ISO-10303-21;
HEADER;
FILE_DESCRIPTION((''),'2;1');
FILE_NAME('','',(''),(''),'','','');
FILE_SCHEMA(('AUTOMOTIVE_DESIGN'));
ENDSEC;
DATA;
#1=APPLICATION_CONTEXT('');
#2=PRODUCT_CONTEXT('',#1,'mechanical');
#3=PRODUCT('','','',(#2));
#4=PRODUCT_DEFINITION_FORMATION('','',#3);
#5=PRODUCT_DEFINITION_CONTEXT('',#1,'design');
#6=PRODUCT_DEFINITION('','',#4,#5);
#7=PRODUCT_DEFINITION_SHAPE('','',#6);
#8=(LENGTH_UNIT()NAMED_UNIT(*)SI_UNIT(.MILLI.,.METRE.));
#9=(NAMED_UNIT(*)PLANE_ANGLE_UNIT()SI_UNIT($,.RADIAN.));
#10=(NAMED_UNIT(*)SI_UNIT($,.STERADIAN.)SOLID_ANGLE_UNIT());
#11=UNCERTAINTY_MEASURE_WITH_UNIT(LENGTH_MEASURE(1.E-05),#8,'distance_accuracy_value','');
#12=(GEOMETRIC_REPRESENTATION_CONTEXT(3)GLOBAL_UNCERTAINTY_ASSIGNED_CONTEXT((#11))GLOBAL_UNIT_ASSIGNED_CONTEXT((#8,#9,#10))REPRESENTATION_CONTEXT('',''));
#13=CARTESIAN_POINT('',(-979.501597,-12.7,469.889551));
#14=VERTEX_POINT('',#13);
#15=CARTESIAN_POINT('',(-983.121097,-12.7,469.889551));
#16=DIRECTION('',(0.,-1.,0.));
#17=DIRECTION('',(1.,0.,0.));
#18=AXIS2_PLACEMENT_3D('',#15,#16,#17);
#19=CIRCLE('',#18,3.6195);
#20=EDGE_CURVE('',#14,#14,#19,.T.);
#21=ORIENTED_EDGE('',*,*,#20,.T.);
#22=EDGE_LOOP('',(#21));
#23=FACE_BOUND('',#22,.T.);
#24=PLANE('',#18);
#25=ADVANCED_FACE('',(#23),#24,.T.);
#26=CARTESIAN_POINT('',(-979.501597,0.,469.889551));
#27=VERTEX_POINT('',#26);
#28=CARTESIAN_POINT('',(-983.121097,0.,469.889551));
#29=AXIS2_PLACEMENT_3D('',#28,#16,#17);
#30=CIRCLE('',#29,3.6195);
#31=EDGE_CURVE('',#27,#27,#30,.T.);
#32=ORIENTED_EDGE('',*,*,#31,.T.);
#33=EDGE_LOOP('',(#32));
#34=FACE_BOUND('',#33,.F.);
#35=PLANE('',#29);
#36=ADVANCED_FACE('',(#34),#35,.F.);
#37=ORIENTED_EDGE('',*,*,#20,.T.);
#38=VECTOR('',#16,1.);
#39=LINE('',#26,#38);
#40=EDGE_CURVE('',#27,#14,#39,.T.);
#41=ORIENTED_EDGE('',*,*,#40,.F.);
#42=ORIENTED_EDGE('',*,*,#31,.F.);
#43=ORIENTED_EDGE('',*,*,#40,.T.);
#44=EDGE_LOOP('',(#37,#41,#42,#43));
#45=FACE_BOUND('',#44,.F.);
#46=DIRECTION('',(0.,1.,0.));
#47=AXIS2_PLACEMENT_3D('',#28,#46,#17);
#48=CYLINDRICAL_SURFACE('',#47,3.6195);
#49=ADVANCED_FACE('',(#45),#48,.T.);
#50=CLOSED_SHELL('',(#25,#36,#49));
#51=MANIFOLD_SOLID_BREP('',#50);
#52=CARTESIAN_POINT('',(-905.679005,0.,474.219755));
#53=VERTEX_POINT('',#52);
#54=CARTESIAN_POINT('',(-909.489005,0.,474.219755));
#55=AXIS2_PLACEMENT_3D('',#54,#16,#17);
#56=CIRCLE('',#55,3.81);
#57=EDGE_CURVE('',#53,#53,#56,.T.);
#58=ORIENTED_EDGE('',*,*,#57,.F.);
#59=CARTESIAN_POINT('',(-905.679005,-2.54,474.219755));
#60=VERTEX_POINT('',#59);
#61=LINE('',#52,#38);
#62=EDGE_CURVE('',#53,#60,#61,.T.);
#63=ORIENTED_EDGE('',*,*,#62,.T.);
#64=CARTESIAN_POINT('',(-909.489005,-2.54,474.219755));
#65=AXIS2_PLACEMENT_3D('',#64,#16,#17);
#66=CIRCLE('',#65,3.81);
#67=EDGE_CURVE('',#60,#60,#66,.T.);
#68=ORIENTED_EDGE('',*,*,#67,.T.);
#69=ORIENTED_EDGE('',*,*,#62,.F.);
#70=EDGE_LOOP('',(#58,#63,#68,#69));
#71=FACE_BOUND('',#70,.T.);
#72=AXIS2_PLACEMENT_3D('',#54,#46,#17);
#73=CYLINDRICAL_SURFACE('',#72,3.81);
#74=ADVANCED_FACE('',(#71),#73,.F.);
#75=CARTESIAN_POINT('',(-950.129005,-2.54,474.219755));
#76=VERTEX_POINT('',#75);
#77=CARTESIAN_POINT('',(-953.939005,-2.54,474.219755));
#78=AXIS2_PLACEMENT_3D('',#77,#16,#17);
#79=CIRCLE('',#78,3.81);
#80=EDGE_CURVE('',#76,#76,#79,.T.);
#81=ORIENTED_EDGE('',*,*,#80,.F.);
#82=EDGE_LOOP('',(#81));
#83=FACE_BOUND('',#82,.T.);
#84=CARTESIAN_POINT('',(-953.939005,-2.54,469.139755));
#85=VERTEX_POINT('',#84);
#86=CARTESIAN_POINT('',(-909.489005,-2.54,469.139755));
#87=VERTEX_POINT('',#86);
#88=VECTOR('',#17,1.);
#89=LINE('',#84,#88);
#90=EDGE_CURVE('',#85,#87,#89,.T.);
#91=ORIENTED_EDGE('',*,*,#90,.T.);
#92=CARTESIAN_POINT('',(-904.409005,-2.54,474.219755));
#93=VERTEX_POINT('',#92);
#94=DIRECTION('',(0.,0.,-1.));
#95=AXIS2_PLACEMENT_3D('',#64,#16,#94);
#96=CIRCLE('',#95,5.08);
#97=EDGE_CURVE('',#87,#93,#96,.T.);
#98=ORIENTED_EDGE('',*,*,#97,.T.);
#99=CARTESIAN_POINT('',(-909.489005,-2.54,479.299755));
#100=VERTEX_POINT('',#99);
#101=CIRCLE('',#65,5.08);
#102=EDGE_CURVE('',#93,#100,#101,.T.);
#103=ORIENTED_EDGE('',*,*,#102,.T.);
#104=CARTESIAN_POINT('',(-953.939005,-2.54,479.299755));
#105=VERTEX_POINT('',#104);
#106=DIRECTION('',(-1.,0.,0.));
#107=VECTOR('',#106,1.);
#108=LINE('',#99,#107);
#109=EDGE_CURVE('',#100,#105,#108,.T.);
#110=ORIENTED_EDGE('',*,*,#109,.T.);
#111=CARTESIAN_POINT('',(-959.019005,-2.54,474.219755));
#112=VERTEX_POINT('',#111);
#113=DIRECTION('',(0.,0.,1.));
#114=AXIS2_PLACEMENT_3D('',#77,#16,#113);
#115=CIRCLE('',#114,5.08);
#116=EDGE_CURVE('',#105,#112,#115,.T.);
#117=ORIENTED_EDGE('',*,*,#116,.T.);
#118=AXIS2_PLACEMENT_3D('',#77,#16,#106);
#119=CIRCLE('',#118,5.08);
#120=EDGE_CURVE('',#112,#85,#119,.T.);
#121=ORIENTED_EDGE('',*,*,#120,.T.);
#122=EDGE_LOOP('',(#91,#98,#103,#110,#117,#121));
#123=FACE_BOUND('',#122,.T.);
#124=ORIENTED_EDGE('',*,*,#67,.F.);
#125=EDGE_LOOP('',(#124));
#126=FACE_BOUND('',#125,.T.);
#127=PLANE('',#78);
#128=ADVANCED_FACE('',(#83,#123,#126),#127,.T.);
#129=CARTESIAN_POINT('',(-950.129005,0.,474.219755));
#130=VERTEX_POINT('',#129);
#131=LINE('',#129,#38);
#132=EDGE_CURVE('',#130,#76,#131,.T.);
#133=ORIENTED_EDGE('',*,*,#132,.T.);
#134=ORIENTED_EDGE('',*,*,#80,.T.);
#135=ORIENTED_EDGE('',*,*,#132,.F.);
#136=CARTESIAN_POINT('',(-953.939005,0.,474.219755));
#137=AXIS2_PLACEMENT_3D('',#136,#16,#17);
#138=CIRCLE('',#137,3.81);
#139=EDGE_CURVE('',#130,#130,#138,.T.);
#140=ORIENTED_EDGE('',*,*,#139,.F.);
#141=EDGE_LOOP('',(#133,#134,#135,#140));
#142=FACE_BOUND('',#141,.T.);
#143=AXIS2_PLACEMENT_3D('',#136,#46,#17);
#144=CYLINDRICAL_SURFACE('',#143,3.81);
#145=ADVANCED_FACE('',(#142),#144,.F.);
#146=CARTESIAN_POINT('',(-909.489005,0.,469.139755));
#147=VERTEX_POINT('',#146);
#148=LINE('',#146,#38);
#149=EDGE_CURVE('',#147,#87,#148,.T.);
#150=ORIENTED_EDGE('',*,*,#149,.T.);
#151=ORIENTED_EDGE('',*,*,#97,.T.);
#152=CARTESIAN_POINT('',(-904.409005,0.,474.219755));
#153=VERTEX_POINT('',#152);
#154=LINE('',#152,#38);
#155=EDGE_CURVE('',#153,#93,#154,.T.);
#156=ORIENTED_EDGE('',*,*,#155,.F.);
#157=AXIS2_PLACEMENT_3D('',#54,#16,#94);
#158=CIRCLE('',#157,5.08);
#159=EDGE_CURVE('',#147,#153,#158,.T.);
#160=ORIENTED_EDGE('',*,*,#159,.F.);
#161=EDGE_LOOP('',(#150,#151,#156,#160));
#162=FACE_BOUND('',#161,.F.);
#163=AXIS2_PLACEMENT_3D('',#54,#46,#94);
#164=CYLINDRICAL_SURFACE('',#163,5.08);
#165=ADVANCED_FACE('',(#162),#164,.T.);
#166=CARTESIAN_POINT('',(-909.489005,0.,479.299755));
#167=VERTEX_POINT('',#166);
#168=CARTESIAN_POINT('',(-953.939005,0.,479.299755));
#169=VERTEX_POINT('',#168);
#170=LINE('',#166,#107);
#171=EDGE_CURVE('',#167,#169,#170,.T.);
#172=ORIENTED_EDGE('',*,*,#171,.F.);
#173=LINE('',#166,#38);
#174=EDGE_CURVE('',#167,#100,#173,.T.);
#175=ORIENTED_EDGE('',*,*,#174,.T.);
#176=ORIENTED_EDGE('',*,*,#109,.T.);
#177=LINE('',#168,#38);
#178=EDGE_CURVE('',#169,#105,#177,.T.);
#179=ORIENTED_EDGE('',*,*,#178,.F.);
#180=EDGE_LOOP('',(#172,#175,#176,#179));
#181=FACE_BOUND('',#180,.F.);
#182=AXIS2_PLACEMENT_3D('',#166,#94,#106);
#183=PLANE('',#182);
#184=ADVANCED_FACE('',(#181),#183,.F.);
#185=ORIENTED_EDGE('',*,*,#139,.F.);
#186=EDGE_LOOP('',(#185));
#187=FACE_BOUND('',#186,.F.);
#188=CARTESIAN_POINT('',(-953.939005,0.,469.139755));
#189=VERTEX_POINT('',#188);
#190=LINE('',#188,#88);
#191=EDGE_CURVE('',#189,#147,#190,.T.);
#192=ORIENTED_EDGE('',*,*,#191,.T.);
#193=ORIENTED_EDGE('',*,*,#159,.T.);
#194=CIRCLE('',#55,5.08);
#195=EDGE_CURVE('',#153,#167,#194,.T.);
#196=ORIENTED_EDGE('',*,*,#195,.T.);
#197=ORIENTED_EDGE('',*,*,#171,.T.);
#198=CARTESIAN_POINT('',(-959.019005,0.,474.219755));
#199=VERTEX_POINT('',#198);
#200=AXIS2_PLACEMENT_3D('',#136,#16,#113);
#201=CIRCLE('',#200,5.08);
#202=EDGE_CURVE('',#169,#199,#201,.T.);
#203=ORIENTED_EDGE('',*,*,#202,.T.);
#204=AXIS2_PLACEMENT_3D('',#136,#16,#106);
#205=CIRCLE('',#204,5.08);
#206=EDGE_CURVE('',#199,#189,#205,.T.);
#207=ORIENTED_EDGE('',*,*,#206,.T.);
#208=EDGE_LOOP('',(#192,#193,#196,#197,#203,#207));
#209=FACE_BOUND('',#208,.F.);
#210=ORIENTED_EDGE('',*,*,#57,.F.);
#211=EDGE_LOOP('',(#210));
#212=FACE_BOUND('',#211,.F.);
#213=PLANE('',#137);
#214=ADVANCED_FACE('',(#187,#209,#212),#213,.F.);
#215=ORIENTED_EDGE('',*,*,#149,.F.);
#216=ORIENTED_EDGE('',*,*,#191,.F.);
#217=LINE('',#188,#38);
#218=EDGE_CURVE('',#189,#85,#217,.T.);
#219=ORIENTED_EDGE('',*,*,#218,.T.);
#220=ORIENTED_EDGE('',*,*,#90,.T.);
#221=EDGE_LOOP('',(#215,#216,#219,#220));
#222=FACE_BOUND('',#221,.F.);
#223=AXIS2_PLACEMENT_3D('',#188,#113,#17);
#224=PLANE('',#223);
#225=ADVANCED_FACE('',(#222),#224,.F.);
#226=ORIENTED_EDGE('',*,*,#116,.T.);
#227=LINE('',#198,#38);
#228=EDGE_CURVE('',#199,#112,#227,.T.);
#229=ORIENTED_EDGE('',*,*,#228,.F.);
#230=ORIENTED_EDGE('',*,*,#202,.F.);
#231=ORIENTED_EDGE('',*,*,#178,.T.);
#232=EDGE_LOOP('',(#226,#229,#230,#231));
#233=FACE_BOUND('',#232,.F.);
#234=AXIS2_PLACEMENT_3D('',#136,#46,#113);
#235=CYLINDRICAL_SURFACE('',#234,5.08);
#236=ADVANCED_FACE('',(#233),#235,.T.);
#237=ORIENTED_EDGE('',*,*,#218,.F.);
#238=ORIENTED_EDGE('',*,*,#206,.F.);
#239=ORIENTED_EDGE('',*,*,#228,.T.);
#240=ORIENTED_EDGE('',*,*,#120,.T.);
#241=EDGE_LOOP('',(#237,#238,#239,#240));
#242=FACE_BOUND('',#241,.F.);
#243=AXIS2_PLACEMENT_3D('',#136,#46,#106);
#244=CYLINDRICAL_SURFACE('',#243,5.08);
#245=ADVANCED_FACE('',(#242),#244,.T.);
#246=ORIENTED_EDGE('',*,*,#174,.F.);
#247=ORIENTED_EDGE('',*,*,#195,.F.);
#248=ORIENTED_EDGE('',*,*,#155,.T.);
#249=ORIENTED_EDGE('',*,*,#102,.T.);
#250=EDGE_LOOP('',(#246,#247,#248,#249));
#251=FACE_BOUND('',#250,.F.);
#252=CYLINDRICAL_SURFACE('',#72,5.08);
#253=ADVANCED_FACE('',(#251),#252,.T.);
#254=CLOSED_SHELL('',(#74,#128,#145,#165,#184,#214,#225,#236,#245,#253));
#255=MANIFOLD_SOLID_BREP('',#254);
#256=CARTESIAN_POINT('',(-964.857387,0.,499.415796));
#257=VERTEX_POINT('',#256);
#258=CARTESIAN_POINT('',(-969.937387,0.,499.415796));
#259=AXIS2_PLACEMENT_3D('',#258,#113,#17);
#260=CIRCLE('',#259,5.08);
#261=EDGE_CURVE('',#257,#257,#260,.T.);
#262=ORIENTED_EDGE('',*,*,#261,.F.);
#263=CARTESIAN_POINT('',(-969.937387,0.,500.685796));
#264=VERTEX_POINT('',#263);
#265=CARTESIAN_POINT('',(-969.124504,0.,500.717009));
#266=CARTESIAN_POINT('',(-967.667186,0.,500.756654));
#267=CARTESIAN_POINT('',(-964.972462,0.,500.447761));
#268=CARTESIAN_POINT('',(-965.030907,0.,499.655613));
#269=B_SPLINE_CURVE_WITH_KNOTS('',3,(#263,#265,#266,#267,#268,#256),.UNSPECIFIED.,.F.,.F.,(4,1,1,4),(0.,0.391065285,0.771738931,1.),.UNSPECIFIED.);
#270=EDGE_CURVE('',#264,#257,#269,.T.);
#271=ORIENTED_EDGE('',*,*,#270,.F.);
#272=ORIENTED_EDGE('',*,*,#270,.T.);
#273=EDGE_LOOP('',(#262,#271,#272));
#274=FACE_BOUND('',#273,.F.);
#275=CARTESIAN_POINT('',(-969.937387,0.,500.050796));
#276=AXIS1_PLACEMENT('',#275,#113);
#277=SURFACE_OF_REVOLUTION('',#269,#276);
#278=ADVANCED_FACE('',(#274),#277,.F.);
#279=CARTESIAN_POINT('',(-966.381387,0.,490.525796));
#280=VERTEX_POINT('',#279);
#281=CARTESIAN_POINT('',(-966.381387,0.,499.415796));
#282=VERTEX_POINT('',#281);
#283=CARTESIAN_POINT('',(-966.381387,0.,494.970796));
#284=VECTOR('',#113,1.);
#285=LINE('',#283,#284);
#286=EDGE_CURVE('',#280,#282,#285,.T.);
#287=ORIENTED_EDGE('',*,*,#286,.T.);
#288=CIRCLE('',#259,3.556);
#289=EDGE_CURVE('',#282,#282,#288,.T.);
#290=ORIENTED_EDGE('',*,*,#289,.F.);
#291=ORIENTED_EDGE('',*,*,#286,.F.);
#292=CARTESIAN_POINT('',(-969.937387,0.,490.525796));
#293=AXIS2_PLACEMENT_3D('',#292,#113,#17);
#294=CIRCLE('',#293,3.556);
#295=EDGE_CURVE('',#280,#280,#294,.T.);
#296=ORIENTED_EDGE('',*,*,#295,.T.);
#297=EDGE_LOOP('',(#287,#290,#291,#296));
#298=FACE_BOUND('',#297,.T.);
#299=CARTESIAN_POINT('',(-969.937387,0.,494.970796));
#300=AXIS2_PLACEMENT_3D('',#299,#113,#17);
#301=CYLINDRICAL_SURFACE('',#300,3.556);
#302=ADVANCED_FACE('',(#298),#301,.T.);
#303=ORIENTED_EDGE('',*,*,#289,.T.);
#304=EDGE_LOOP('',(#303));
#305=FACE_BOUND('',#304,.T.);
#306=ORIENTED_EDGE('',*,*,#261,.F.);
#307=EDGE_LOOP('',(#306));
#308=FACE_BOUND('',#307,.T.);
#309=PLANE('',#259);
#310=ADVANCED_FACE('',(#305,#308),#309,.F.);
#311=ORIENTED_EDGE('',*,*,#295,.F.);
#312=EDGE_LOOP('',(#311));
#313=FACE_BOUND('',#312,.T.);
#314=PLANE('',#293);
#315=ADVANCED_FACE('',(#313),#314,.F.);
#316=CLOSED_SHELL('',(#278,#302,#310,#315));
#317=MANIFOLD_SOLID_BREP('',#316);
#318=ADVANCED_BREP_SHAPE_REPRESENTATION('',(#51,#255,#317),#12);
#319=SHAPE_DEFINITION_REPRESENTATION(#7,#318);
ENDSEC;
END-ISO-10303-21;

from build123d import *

# Parameters (mm, degrees)
F0_R     = 3.6195
F1_DEPTH = 12.7
F0_R_2   = 3.81
F2_DEPTH = 2.54
F3_W     = 3.556
F3_H     = 8.89


with BuildPart() as f1:
    # F0 (on Front) → F1 (new body)
    with BuildSketch(Plane.XZ):
        with Locations((-983.1210970879, 469.8895514011)):
            Circle(F0_R)
    extrude(amount=F1_DEPTH)


with BuildPart() as f2:
    # F0 (on Front) → F2 (new body)
    with BuildSketch(Plane.XZ):
        with BuildLine():
            ThreePointArc((-948.8590052986, 474.2197547722), (-950.3469028502, 477.8118572206), (-953.9390052986, 479.2997547722))
            ThreePointArc((-953.9390052986, 479.2997547722), (-957.531107747, 477.8118572206), (-959.0190052986, 474.2197547722))
            ThreePointArc((-959.0190052986, 474.2197547722), (-957.531107747, 470.6276523238), (-953.9390052986, 469.1397547722))
            ThreePointArc((-953.9390052986, 469.1397547722), (-950.3469028502, 470.6276523238), (-948.8590052986, 474.2197547722))
        make_face()
        with Locations((-953.9390052986, 474.2197547722)):
            Circle(F0_R_2, mode=Mode.SUBTRACT)
        with BuildLine():
            ThreePointArc((-904.4090052986, 474.2197547722), (-905.8969028502, 477.8118572206), (-909.4890052986, 479.2997547722))
            ThreePointArc((-909.4890052986, 479.2997547722), (-914.5690052986, 474.2197547722), (-909.4890052986, 469.1397547722))
            ThreePointArc((-909.4890052986, 469.1397547722), (-905.8969028502, 470.6276523238), (-904.4090052986, 474.2197547722))
        make_face()
        with Locations((-909.4890052986, 474.2197547722)):
            Circle(F0_R_2, mode=Mode.SUBTRACT)
        with BuildLine():
            Line((-909.4890052986, 479.2997547722), (-953.9390052986, 479.2997547722))
            ThreePointArc((-953.9390052986, 479.2997547722), (-950.3469028502, 477.8118572206), (-948.8590052986, 474.2197547722))
            ThreePointArc((-948.8590052986, 474.2197547722), (-950.3469028502, 470.6276523238), (-953.9390052986, 469.1397547722))
            Line((-953.9390052986, 469.1397547722), (-909.4890052986, 469.1397547722))
            ThreePointArc((-909.4890052986, 469.1397547722), (-914.5690052986, 474.2197547722), (-909.4890052986, 479.2997547722))
        make_face()
    extrude(amount=F2_DEPTH)


with BuildPart() as f4:
    # F3 (on Front) → F4 (revolve)
    with BuildSketch(Plane.XZ):
        with Locations((-968.1593871795, 494.9707962078)):
            Rectangle(F3_W, F3_H)
        with BuildLine():
            Line((-969.9373871795, 500.6857962078), (-969.9373871795, 499.4157962078))
            Line((-969.9373871795, 499.4157962078), (-966.3813871795, 499.4157962078))
            Line((-966.3813871795, 499.4157962078), (-964.8573871795, 499.4157962078))
            add(Edge.make_bspline(
                [(-969.9373871795, 500.6857962078), (-969.1245044775, 500.7170094046), (-967.6671861669, 500.7566544174), (-964.9724624884, 500.4477607725), (-965.0309068325, 499.6556125528), (-964.8573871795, 499.4157962078)],
                knots=[0, 0, 0, 0, 0.3910652847, 0.7717389314, 1, 1, 1, 1], degree=3))
        make_face()
    revolve(axis=Axis((-969.9373871795, 0, 500.0507962078), (0, 0, 1)))


solid = Compound([f1.part, f2.part, f4.part])
